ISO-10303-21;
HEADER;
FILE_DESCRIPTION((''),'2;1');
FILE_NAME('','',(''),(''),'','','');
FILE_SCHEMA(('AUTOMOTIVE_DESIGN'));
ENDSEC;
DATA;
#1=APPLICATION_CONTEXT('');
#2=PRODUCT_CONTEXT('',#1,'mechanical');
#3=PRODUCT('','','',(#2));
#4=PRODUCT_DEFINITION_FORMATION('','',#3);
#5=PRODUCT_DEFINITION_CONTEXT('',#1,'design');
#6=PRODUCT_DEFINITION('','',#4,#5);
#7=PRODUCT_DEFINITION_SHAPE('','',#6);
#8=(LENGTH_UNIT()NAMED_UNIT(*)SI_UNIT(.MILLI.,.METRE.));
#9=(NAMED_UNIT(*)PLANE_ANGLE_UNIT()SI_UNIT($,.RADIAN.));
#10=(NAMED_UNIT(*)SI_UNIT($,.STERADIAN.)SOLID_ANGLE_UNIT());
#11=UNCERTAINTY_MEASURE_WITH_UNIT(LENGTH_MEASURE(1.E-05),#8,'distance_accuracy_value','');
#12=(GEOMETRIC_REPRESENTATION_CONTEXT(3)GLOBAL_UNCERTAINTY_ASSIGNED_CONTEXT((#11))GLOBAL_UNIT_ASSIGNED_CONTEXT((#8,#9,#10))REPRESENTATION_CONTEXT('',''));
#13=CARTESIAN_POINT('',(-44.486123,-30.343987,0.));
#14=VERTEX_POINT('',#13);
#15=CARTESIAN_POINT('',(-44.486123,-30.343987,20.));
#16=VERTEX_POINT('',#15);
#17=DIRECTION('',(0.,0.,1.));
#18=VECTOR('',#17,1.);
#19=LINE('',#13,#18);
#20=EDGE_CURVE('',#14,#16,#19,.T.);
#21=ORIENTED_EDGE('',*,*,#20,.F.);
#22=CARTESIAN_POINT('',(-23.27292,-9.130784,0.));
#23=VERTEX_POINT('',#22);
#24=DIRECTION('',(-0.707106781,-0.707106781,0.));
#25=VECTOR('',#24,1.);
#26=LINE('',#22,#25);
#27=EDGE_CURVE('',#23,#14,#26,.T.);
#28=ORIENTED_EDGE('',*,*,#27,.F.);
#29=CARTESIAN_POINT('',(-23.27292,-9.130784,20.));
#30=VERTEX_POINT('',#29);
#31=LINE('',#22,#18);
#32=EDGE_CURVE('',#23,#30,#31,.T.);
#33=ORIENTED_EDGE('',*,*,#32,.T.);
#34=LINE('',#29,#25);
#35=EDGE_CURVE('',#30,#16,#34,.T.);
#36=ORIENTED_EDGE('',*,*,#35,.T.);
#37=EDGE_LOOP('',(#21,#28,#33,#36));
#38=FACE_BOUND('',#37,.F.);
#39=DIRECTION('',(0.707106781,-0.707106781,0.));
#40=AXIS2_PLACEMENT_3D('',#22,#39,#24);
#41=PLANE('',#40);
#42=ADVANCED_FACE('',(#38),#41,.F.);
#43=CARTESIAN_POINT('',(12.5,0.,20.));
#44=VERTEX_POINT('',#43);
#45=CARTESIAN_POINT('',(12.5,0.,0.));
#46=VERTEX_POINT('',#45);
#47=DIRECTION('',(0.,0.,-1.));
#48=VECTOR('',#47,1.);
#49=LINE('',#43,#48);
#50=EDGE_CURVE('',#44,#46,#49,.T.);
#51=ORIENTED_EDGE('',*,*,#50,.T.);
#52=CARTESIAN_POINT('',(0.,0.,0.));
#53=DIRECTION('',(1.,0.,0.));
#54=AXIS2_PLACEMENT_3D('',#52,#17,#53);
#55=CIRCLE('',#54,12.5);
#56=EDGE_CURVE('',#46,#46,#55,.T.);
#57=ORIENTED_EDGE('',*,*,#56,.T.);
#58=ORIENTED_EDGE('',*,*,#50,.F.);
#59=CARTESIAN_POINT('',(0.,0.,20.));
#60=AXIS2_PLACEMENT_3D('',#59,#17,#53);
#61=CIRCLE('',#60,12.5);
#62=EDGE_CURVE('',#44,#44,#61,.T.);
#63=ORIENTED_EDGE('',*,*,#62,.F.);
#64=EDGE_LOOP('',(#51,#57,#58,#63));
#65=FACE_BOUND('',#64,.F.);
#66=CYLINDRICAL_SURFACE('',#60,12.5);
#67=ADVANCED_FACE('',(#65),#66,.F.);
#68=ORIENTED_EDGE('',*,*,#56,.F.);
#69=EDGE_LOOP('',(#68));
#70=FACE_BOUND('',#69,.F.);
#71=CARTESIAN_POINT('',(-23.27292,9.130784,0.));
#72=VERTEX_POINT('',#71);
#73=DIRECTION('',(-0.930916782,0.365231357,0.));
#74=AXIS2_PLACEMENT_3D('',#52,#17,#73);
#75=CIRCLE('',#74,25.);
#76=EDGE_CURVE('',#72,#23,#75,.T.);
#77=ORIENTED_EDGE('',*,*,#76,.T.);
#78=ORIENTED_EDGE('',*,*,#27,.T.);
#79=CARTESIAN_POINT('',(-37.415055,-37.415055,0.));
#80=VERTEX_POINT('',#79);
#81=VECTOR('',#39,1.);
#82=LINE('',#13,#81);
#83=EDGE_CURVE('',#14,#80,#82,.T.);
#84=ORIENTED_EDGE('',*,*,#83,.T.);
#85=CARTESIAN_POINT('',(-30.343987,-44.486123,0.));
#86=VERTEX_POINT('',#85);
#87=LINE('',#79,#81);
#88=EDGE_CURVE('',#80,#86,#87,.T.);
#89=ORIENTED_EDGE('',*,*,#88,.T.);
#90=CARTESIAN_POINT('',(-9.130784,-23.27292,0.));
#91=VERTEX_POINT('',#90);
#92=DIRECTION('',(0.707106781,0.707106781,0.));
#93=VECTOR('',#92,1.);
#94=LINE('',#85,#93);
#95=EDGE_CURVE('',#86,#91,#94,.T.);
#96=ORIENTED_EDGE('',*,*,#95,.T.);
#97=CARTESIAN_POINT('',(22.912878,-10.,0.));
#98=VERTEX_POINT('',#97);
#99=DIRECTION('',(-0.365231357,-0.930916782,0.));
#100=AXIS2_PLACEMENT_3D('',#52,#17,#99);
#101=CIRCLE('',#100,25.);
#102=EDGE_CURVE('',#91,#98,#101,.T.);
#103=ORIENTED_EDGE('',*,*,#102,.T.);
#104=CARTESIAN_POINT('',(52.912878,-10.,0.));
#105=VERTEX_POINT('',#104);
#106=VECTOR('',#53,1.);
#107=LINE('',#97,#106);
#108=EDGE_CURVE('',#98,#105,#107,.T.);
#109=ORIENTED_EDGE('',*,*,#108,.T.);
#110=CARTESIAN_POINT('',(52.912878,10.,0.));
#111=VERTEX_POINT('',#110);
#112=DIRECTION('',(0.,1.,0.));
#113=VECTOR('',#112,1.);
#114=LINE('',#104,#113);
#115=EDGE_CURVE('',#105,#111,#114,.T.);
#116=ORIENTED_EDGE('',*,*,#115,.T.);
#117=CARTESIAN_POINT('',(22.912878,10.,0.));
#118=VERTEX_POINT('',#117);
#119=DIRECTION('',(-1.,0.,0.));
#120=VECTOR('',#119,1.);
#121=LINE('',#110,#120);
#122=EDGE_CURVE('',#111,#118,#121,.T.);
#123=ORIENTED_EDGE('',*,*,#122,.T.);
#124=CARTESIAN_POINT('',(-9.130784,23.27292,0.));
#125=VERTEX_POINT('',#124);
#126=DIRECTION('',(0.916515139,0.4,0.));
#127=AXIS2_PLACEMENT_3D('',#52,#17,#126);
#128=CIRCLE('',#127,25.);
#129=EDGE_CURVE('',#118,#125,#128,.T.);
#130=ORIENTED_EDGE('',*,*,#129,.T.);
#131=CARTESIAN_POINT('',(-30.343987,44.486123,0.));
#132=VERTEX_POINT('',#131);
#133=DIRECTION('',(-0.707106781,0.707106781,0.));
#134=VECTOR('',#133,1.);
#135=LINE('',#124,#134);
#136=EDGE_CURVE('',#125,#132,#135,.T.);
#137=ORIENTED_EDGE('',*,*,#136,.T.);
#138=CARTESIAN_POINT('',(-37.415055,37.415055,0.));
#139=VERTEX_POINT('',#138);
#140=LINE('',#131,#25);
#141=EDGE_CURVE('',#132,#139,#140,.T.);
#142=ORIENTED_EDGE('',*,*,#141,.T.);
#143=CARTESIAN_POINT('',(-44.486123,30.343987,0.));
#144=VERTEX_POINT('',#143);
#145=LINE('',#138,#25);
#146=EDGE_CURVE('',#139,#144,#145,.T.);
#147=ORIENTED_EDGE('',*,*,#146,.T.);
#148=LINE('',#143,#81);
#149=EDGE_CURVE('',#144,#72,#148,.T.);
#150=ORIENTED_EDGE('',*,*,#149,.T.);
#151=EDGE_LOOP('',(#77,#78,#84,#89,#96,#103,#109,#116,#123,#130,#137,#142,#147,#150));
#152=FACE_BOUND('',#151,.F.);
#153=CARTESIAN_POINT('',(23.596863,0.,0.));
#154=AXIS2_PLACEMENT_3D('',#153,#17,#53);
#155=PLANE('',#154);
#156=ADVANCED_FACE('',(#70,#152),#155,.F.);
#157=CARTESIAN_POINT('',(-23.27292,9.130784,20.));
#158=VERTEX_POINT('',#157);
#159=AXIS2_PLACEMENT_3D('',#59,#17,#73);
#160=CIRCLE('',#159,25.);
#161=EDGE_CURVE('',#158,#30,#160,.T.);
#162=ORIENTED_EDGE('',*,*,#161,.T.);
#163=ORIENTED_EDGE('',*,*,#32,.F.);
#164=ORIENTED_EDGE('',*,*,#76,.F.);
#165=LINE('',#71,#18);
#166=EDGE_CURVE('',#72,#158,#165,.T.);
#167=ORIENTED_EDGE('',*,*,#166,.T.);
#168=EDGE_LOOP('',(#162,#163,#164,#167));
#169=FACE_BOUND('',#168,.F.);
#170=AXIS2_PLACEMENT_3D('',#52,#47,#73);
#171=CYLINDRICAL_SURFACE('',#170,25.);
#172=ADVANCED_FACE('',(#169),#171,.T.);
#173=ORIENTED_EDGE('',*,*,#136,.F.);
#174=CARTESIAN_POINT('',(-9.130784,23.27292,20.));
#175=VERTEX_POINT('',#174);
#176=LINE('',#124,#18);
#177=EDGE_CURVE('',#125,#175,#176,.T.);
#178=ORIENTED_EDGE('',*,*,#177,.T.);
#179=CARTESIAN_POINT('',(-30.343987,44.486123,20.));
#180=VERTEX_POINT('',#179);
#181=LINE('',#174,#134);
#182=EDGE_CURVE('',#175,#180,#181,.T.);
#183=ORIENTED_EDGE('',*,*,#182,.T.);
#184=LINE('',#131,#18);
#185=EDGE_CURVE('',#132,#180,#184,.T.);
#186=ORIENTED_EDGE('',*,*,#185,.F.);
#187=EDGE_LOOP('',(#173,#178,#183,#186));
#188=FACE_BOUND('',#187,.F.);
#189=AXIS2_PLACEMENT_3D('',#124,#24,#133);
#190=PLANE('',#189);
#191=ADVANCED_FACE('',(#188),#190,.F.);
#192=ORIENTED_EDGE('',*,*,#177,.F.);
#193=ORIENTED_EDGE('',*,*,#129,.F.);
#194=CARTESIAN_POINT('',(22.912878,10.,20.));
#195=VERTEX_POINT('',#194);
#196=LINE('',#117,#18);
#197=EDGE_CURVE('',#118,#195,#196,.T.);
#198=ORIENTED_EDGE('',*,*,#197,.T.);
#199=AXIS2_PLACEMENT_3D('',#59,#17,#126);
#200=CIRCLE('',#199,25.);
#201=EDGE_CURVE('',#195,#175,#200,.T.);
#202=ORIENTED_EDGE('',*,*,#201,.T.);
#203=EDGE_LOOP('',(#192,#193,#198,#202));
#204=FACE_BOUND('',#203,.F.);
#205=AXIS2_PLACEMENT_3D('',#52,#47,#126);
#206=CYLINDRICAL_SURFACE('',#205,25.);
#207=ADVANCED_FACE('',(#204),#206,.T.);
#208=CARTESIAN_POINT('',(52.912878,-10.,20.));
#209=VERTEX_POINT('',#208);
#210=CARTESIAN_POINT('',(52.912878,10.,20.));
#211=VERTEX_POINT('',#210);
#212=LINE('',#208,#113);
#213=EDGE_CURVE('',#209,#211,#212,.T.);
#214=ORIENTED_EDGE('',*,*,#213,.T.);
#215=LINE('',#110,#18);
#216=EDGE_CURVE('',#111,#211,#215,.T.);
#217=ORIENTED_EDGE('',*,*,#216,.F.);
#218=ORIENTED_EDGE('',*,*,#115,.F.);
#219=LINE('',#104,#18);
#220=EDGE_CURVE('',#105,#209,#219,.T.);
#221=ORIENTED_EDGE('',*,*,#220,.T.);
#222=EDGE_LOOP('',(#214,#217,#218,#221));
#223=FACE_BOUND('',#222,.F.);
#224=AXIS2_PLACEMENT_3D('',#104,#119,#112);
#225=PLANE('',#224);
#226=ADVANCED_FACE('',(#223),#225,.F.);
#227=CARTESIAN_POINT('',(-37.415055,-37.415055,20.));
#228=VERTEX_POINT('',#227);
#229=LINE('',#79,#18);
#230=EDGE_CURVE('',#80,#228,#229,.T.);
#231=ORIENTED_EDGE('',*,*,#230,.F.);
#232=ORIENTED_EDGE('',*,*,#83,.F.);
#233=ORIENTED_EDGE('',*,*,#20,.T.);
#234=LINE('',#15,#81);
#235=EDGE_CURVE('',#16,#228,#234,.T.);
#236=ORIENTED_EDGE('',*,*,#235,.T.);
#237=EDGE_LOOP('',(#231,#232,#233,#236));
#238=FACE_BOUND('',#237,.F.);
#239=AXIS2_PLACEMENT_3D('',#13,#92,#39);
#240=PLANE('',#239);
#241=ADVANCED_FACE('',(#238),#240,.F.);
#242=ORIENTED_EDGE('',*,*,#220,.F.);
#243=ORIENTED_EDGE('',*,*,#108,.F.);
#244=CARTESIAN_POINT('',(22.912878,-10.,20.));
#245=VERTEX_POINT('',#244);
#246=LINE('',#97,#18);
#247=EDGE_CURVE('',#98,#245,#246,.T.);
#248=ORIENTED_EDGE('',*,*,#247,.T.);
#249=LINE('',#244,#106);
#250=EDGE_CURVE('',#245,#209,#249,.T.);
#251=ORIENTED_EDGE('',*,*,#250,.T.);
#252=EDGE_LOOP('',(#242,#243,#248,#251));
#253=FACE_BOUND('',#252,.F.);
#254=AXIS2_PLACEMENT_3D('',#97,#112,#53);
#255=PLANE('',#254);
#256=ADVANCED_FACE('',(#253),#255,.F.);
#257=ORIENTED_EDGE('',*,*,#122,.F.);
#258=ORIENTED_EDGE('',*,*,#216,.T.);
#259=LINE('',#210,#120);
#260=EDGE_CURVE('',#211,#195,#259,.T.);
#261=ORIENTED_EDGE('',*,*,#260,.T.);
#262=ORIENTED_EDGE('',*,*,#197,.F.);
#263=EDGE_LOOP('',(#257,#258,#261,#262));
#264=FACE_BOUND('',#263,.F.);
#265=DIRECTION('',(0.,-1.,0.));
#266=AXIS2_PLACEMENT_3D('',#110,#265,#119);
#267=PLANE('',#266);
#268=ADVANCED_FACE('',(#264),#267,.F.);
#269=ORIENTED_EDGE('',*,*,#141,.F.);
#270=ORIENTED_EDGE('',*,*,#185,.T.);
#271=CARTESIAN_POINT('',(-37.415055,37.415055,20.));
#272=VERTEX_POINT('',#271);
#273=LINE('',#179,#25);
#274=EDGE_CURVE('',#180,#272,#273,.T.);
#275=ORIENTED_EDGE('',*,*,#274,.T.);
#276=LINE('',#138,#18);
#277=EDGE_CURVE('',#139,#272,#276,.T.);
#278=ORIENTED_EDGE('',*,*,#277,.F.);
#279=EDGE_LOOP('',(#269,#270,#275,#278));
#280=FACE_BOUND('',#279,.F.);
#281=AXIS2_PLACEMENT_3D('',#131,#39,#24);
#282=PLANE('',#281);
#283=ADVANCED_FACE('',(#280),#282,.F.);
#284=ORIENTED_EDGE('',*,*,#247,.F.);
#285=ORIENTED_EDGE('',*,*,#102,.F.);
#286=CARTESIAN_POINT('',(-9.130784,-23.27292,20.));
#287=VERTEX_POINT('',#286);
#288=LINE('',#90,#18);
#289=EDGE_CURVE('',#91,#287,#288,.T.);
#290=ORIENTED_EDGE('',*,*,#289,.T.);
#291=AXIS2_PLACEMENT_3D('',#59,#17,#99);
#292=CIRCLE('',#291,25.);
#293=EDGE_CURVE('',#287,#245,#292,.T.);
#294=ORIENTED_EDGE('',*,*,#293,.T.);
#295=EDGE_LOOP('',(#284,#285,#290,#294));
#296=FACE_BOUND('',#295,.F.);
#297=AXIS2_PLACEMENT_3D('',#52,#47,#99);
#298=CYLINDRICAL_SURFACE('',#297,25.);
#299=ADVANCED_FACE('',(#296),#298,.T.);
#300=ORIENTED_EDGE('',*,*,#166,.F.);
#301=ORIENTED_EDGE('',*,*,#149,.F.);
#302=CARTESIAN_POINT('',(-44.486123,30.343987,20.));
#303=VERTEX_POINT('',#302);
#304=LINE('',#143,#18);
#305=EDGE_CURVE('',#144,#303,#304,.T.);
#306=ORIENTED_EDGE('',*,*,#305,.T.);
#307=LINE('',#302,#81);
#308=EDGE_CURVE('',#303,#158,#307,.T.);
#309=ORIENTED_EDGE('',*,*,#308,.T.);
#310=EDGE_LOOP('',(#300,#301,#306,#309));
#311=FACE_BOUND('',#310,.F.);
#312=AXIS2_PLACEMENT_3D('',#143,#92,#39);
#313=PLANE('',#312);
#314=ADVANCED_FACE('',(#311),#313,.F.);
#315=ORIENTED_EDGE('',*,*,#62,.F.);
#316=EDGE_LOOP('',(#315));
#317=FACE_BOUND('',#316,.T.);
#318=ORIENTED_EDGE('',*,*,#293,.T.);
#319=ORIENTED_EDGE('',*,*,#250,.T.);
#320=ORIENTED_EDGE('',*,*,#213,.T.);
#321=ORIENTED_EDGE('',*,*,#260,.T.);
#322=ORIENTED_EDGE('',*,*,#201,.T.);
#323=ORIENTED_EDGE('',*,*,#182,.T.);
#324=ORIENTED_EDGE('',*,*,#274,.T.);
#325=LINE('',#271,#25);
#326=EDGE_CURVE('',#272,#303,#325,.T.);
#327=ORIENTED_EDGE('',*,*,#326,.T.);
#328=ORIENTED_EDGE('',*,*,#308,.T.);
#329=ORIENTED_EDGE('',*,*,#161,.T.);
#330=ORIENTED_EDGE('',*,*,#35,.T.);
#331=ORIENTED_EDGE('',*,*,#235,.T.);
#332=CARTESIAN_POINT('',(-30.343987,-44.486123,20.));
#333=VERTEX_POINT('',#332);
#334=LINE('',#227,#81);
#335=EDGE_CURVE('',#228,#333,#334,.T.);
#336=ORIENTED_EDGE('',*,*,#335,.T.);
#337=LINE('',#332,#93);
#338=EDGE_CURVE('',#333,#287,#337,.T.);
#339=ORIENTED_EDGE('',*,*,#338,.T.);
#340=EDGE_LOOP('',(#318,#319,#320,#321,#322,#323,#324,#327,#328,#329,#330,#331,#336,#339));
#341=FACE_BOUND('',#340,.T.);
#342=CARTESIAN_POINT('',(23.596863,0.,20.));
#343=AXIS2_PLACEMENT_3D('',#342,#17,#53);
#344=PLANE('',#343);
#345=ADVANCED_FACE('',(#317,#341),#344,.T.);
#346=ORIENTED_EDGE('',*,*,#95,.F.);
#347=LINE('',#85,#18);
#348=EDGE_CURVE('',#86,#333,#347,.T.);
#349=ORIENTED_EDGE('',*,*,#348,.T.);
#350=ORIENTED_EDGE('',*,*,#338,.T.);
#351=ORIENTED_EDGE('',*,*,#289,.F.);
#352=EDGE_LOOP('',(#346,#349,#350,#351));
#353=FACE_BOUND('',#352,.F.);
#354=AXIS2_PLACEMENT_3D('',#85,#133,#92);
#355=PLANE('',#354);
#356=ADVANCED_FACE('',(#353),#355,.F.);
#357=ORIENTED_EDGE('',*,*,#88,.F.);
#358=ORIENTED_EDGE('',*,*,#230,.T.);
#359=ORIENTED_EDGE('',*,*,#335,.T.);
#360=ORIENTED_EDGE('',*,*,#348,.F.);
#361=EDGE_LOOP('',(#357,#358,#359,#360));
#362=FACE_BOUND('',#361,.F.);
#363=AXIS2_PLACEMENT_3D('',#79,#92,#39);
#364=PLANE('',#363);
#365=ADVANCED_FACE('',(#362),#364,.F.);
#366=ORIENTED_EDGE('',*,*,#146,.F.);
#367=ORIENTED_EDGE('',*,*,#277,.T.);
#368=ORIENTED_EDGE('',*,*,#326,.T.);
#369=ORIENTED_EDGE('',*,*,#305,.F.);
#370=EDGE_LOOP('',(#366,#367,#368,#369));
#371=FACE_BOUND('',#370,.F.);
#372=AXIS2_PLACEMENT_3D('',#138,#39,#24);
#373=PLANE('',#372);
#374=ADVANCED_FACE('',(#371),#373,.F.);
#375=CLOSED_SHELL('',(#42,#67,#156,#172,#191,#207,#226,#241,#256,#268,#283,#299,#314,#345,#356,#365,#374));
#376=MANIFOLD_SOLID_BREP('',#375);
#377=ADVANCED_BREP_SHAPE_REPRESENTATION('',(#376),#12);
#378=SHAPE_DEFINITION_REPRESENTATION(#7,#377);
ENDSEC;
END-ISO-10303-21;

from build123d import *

# Parameters (mm, degrees)
F2_DEPTH = 20
F3_R     = 12.5
F4_DEPTH = 25


with BuildPart() as f2:
    # F1 (on Top) → F2 (new body)
    with BuildSketch(Plane.XY):
        with BuildLine():
            ThreePointArc((22.9128784748, -10), (24.4726578233, -5.1077410922), (25, 0))
            ThreePointArc((25, 0), (24.4726578233, 5.1077410922), (22.9128784748, 10))
            Line((22.9128784748, 10), (22.9128784748, 0))
            Line((22.9128784748, 0), (22.9128784748, -10))
        make_face()
        with BuildLine():
            ThreePointArc((22.9128784748, 10), (24.4726578233, 5.1077410922), (25, 0))
            ThreePointArc((25, 0), (24.4726578233, -5.1077410922), (22.9128784748, -10))
            Line((22.9128784748, -10), (52.9128784748, -10))
            Line((52.9128784748, -10), (52.9128784748, 10))
            Line((52.9128784748, 10), (22.9128784748, 10))
        make_face()
        with BuildLine():
            Line((22.9128784748, 0), (22.9128784748, 10))
            ThreePointArc((22.9128784748, 10), (9.5670858091, 23.0969883128), (-9.1307839342, 23.2729195579))
            Line((-9.1307839342, 23.2729195579), (-23.2729195579, 9.1307839342))
            ThreePointArc((-23.2729195579, 9.1307839342), (-25, 0), (-23.2729195579, -9.1307839342))
            Line((-23.2729195579, -9.1307839342), (-9.1307839342, -23.2729195579))
            ThreePointArc((-9.1307839342, -23.2729195579), (9.5670858091, -23.0969883128), (22.9128784748, -10))
            Line((22.9128784748, -10), (22.9128784748, 0))
        make_face()
        with BuildLine():
            Line((-23.2729195579, 9.1307839342), (-9.1307839342, 23.2729195579))
            ThreePointArc((-9.1307839342, 23.2729195579), (-17.6776695297, 17.6776695297), (-23.2729195579, 9.1307839342))
        make_face()
        with BuildLine():
            ThreePointArc((-23.2729195579, 9.1307839342), (-17.6776695297, 17.6776695297), (-9.1307839342, 23.2729195579))
            Line((-9.1307839342, 23.2729195579), (-30.3439873698, 44.4861229935))
            Line((-30.3439873698, 44.4861229935), (-37.4150551816, 37.4150551816))
            Line((-37.4150551816, 37.4150551816), (-44.4861229935, 30.3439873698))
            Line((-44.4861229935, 30.3439873698), (-23.2729195579, 9.1307839342))
        make_face()
        with BuildLine():
            Line((-30.3439873698, -44.4861229935), (-9.1307839342, -23.2729195579))
            ThreePointArc((-9.1307839342, -23.2729195579), (-17.6776695297, -17.6776695297), (-23.2729195579, -9.1307839342))
            Line((-23.2729195579, -9.1307839342), (-44.4861229935, -30.3439873698))
            Line((-44.4861229935, -30.3439873698), (-37.4150551816, -37.4150551816))
            Line((-37.4150551816, -37.4150551816), (-30.3439873698, -44.4861229935))
        make_face()
        with BuildLine():
            ThreePointArc((-23.2729195579, -9.1307839342), (-17.6776695297, -17.6776695297), (-9.1307839342, -23.2729195579))
            Line((-9.1307839342, -23.2729195579), (-23.2729195579, -9.1307839342))
        make_face()
    extrude(amount=F2_DEPTH)

    # F3 (on face) → F4 (cut)
    with BuildSketch(Plane.XY.offset(20)):
        Circle(F3_R)
    extrude(amount=-F4_DEPTH, mode=Mode.SUBTRACT)


solid = f2.part
